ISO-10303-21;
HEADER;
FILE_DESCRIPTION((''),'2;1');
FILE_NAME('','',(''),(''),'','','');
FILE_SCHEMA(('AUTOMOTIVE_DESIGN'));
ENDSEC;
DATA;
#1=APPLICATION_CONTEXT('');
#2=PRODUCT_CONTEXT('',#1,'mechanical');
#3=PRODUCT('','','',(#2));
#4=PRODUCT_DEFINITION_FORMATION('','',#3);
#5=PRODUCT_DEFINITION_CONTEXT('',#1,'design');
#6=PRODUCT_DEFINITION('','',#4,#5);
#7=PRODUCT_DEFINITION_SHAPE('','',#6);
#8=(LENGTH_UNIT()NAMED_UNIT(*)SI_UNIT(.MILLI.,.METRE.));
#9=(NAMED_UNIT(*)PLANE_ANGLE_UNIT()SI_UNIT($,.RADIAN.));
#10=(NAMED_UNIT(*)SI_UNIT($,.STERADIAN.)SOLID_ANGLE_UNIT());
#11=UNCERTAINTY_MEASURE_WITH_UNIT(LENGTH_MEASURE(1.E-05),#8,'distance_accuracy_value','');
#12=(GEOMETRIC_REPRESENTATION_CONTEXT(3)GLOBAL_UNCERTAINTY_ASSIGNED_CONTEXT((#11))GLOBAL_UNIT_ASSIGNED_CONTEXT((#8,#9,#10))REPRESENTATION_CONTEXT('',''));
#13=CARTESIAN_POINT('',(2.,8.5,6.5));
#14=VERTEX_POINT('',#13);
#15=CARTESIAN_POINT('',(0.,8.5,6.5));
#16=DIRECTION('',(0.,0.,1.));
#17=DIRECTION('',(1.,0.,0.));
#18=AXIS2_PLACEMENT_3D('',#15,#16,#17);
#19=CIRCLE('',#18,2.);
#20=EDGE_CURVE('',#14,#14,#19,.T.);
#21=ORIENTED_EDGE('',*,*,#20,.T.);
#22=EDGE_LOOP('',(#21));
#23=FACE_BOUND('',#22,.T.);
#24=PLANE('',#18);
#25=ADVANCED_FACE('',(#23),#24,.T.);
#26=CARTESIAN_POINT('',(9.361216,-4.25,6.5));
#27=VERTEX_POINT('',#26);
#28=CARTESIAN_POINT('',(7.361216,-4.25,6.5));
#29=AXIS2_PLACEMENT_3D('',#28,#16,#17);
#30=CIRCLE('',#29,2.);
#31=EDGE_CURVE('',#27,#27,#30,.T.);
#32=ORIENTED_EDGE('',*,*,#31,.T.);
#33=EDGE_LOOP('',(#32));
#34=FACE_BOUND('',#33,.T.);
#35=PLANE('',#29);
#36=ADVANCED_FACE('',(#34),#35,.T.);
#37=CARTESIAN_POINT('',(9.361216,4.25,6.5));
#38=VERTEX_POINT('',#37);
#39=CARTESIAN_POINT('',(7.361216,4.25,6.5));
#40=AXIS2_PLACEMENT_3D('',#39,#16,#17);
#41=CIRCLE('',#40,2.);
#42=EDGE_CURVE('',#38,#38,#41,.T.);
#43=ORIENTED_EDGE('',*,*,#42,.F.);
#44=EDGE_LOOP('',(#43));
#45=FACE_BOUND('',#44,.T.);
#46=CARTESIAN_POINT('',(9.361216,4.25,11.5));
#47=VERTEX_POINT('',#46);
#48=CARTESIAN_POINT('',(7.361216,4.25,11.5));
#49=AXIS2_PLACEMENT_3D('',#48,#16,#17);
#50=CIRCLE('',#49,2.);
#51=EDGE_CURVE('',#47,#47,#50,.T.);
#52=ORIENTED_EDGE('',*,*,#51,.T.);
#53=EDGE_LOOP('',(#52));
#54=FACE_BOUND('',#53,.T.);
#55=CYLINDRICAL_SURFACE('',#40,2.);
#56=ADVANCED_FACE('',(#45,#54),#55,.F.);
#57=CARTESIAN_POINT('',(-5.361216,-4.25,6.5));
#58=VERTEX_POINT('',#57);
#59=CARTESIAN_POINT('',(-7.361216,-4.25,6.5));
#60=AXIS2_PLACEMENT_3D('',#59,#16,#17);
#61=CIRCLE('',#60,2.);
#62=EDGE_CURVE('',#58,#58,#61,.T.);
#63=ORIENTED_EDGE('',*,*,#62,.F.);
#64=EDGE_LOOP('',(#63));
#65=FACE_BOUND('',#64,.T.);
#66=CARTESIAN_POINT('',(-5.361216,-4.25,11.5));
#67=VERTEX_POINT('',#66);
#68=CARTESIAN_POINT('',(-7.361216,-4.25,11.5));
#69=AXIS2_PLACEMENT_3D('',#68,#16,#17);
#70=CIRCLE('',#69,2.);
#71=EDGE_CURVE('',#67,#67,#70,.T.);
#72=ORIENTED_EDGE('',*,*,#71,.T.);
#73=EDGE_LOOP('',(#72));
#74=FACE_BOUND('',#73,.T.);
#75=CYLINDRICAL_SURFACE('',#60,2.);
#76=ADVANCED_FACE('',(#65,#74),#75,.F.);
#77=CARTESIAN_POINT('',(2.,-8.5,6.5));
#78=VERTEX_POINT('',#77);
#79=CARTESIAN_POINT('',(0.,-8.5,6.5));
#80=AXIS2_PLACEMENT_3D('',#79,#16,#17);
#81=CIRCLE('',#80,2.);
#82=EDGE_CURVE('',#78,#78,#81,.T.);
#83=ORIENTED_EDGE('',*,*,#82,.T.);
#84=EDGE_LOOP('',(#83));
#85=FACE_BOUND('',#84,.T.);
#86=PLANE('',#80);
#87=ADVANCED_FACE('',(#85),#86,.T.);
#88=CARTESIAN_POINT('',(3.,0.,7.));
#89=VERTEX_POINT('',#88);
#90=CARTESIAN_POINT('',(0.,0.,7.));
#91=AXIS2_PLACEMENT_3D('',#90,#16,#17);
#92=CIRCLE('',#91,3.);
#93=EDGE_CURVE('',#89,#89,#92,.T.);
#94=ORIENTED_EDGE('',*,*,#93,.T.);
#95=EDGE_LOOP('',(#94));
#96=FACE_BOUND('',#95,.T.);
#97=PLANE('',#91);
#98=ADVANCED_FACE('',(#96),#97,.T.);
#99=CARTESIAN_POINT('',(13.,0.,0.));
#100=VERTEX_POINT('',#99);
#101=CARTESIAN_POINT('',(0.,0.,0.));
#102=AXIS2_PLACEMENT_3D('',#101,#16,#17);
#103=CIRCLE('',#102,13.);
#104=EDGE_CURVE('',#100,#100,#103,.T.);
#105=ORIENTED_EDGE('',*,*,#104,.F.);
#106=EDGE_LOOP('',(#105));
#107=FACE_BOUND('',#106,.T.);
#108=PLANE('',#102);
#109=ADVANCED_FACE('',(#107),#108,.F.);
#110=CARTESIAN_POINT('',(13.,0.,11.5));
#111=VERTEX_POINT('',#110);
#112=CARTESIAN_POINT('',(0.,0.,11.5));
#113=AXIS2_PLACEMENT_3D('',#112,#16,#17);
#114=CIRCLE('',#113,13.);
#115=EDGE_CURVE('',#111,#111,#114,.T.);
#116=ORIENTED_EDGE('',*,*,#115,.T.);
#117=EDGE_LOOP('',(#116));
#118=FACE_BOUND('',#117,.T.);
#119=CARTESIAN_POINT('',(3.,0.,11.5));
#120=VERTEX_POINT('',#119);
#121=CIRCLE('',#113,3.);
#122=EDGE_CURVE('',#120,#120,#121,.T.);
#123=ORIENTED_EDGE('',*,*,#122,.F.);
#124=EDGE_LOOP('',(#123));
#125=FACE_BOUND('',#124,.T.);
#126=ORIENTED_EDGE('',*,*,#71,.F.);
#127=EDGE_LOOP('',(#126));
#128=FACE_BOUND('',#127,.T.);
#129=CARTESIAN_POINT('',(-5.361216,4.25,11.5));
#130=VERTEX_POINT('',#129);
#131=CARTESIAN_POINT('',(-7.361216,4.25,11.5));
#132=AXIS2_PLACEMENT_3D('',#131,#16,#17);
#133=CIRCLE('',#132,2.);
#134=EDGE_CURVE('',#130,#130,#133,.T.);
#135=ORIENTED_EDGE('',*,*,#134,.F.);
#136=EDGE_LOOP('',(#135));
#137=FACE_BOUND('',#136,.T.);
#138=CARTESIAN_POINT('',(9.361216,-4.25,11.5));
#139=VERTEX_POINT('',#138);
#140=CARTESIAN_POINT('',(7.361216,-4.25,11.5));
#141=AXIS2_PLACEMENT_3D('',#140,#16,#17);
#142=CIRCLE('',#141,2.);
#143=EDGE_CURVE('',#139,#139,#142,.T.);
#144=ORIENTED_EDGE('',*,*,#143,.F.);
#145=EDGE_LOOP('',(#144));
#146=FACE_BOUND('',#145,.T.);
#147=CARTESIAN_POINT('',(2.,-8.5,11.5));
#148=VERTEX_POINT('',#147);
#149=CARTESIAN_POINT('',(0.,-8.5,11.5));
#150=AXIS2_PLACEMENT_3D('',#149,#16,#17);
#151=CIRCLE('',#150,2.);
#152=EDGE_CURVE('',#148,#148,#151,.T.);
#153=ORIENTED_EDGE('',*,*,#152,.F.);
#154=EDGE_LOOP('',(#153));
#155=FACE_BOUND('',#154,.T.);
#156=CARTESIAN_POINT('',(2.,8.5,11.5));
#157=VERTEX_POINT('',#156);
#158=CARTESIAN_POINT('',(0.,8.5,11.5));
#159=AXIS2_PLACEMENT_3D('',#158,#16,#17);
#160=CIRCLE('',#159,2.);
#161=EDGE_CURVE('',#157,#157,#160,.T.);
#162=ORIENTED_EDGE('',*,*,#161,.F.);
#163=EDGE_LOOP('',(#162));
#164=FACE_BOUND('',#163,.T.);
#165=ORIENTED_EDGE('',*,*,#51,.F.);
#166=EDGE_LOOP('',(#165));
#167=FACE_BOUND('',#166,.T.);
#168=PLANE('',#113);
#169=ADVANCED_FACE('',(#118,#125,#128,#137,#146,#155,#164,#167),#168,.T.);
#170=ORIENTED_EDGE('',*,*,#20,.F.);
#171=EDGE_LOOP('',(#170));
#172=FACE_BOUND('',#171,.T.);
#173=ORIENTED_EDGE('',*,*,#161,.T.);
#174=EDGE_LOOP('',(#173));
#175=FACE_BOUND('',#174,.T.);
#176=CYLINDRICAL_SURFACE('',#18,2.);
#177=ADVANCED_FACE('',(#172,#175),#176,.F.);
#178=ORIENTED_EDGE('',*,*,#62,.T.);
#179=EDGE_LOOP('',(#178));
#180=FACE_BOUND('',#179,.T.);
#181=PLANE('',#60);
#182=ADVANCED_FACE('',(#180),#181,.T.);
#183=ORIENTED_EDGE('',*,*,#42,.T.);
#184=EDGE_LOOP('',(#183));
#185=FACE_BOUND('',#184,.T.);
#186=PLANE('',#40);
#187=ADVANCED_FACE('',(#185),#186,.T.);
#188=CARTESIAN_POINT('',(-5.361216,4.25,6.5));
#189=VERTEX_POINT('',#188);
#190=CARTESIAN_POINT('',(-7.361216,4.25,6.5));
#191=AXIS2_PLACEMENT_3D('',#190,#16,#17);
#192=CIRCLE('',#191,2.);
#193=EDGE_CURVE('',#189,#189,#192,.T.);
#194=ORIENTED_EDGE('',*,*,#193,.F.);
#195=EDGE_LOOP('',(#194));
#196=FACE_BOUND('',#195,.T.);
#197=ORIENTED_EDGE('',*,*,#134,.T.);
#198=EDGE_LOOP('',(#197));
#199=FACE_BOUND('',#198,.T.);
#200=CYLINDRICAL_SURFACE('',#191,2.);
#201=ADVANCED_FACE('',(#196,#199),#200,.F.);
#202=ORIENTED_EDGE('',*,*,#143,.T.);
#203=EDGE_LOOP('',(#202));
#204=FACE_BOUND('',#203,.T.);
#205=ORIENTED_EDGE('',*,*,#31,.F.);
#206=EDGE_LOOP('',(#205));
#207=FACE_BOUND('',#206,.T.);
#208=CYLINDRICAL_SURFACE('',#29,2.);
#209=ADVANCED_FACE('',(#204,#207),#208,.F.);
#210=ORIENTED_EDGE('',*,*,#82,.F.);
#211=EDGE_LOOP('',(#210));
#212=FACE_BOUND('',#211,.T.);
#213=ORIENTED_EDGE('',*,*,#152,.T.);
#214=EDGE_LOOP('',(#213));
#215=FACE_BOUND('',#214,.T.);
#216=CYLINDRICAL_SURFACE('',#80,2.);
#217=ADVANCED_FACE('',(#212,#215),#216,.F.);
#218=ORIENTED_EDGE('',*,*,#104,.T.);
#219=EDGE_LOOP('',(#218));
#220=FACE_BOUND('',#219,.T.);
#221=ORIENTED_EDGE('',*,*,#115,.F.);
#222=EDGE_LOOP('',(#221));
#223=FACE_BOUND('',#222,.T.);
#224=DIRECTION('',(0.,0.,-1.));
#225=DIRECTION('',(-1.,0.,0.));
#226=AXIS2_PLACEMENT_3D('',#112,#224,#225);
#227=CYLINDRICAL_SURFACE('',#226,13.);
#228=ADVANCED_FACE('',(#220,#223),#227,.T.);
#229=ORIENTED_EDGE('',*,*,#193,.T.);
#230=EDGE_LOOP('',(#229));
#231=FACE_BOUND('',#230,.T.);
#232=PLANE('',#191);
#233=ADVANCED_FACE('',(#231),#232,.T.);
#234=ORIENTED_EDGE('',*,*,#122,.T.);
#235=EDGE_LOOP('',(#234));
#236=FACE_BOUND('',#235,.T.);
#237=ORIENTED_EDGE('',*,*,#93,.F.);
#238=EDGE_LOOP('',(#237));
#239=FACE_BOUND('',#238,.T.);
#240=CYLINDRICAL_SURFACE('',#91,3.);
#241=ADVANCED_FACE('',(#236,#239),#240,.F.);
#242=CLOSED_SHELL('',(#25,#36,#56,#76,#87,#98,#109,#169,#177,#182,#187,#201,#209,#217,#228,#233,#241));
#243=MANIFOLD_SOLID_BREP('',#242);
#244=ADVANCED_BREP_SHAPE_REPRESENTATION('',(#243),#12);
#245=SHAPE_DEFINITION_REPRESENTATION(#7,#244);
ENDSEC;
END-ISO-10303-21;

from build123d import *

# Parameters (mm, degrees)
ESQUISSE1_R             = 13
BOSS_EXTRU_1_DEPTH      = 11.5
ESQUISSE2_R             = 2
ENL_V_MAT_EXTRU_1_DEPTH = 5
ESQUISSE3_R             = 3
ENL_V_MAT_EXTRU_2_DEPTH = 4.5


with BuildPart() as part:
    # Esquisse1 → Boss.-Extru.1 (new body)
    with BuildSketch(Plane.XY):
        Circle(ESQUISSE1_R)
    extrude(amount=BOSS_EXTRU_1_DEPTH)

    # Esquisse2 → Enlèv. mat.-Extru.1 (cut)
    with BuildSketch(Plane.XY.offset(11.5)):
        with Locations((0, 8.5)):
            Circle(ESQUISSE2_R)
        with Locations((-7.361215932, 4.25)):
            Circle(ESQUISSE2_R)
        with Locations((-7.361215932, -4.25)):
            Circle(ESQUISSE2_R)
        with Locations((0, -8.5)):
            Circle(ESQUISSE2_R)
        with Locations((7.361215932, -4.25)):
            Circle(ESQUISSE2_R)
        with Locations((7.361215932, 4.25)):
            Circle(ESQUISSE2_R)
    extrude(amount=-ENL_V_MAT_EXTRU_1_DEPTH, mode=Mode.SUBTRACT)

    # Esquisse3 → Enlèv. mat.-Extru.2 (cut)
    with BuildSketch(Plane.XY.offset(11.5)):
        Circle(ESQUISSE3_R)
    extrude(amount=-ENL_V_MAT_EXTRU_2_DEPTH, mode=Mode.SUBTRACT)


solid = part.part
